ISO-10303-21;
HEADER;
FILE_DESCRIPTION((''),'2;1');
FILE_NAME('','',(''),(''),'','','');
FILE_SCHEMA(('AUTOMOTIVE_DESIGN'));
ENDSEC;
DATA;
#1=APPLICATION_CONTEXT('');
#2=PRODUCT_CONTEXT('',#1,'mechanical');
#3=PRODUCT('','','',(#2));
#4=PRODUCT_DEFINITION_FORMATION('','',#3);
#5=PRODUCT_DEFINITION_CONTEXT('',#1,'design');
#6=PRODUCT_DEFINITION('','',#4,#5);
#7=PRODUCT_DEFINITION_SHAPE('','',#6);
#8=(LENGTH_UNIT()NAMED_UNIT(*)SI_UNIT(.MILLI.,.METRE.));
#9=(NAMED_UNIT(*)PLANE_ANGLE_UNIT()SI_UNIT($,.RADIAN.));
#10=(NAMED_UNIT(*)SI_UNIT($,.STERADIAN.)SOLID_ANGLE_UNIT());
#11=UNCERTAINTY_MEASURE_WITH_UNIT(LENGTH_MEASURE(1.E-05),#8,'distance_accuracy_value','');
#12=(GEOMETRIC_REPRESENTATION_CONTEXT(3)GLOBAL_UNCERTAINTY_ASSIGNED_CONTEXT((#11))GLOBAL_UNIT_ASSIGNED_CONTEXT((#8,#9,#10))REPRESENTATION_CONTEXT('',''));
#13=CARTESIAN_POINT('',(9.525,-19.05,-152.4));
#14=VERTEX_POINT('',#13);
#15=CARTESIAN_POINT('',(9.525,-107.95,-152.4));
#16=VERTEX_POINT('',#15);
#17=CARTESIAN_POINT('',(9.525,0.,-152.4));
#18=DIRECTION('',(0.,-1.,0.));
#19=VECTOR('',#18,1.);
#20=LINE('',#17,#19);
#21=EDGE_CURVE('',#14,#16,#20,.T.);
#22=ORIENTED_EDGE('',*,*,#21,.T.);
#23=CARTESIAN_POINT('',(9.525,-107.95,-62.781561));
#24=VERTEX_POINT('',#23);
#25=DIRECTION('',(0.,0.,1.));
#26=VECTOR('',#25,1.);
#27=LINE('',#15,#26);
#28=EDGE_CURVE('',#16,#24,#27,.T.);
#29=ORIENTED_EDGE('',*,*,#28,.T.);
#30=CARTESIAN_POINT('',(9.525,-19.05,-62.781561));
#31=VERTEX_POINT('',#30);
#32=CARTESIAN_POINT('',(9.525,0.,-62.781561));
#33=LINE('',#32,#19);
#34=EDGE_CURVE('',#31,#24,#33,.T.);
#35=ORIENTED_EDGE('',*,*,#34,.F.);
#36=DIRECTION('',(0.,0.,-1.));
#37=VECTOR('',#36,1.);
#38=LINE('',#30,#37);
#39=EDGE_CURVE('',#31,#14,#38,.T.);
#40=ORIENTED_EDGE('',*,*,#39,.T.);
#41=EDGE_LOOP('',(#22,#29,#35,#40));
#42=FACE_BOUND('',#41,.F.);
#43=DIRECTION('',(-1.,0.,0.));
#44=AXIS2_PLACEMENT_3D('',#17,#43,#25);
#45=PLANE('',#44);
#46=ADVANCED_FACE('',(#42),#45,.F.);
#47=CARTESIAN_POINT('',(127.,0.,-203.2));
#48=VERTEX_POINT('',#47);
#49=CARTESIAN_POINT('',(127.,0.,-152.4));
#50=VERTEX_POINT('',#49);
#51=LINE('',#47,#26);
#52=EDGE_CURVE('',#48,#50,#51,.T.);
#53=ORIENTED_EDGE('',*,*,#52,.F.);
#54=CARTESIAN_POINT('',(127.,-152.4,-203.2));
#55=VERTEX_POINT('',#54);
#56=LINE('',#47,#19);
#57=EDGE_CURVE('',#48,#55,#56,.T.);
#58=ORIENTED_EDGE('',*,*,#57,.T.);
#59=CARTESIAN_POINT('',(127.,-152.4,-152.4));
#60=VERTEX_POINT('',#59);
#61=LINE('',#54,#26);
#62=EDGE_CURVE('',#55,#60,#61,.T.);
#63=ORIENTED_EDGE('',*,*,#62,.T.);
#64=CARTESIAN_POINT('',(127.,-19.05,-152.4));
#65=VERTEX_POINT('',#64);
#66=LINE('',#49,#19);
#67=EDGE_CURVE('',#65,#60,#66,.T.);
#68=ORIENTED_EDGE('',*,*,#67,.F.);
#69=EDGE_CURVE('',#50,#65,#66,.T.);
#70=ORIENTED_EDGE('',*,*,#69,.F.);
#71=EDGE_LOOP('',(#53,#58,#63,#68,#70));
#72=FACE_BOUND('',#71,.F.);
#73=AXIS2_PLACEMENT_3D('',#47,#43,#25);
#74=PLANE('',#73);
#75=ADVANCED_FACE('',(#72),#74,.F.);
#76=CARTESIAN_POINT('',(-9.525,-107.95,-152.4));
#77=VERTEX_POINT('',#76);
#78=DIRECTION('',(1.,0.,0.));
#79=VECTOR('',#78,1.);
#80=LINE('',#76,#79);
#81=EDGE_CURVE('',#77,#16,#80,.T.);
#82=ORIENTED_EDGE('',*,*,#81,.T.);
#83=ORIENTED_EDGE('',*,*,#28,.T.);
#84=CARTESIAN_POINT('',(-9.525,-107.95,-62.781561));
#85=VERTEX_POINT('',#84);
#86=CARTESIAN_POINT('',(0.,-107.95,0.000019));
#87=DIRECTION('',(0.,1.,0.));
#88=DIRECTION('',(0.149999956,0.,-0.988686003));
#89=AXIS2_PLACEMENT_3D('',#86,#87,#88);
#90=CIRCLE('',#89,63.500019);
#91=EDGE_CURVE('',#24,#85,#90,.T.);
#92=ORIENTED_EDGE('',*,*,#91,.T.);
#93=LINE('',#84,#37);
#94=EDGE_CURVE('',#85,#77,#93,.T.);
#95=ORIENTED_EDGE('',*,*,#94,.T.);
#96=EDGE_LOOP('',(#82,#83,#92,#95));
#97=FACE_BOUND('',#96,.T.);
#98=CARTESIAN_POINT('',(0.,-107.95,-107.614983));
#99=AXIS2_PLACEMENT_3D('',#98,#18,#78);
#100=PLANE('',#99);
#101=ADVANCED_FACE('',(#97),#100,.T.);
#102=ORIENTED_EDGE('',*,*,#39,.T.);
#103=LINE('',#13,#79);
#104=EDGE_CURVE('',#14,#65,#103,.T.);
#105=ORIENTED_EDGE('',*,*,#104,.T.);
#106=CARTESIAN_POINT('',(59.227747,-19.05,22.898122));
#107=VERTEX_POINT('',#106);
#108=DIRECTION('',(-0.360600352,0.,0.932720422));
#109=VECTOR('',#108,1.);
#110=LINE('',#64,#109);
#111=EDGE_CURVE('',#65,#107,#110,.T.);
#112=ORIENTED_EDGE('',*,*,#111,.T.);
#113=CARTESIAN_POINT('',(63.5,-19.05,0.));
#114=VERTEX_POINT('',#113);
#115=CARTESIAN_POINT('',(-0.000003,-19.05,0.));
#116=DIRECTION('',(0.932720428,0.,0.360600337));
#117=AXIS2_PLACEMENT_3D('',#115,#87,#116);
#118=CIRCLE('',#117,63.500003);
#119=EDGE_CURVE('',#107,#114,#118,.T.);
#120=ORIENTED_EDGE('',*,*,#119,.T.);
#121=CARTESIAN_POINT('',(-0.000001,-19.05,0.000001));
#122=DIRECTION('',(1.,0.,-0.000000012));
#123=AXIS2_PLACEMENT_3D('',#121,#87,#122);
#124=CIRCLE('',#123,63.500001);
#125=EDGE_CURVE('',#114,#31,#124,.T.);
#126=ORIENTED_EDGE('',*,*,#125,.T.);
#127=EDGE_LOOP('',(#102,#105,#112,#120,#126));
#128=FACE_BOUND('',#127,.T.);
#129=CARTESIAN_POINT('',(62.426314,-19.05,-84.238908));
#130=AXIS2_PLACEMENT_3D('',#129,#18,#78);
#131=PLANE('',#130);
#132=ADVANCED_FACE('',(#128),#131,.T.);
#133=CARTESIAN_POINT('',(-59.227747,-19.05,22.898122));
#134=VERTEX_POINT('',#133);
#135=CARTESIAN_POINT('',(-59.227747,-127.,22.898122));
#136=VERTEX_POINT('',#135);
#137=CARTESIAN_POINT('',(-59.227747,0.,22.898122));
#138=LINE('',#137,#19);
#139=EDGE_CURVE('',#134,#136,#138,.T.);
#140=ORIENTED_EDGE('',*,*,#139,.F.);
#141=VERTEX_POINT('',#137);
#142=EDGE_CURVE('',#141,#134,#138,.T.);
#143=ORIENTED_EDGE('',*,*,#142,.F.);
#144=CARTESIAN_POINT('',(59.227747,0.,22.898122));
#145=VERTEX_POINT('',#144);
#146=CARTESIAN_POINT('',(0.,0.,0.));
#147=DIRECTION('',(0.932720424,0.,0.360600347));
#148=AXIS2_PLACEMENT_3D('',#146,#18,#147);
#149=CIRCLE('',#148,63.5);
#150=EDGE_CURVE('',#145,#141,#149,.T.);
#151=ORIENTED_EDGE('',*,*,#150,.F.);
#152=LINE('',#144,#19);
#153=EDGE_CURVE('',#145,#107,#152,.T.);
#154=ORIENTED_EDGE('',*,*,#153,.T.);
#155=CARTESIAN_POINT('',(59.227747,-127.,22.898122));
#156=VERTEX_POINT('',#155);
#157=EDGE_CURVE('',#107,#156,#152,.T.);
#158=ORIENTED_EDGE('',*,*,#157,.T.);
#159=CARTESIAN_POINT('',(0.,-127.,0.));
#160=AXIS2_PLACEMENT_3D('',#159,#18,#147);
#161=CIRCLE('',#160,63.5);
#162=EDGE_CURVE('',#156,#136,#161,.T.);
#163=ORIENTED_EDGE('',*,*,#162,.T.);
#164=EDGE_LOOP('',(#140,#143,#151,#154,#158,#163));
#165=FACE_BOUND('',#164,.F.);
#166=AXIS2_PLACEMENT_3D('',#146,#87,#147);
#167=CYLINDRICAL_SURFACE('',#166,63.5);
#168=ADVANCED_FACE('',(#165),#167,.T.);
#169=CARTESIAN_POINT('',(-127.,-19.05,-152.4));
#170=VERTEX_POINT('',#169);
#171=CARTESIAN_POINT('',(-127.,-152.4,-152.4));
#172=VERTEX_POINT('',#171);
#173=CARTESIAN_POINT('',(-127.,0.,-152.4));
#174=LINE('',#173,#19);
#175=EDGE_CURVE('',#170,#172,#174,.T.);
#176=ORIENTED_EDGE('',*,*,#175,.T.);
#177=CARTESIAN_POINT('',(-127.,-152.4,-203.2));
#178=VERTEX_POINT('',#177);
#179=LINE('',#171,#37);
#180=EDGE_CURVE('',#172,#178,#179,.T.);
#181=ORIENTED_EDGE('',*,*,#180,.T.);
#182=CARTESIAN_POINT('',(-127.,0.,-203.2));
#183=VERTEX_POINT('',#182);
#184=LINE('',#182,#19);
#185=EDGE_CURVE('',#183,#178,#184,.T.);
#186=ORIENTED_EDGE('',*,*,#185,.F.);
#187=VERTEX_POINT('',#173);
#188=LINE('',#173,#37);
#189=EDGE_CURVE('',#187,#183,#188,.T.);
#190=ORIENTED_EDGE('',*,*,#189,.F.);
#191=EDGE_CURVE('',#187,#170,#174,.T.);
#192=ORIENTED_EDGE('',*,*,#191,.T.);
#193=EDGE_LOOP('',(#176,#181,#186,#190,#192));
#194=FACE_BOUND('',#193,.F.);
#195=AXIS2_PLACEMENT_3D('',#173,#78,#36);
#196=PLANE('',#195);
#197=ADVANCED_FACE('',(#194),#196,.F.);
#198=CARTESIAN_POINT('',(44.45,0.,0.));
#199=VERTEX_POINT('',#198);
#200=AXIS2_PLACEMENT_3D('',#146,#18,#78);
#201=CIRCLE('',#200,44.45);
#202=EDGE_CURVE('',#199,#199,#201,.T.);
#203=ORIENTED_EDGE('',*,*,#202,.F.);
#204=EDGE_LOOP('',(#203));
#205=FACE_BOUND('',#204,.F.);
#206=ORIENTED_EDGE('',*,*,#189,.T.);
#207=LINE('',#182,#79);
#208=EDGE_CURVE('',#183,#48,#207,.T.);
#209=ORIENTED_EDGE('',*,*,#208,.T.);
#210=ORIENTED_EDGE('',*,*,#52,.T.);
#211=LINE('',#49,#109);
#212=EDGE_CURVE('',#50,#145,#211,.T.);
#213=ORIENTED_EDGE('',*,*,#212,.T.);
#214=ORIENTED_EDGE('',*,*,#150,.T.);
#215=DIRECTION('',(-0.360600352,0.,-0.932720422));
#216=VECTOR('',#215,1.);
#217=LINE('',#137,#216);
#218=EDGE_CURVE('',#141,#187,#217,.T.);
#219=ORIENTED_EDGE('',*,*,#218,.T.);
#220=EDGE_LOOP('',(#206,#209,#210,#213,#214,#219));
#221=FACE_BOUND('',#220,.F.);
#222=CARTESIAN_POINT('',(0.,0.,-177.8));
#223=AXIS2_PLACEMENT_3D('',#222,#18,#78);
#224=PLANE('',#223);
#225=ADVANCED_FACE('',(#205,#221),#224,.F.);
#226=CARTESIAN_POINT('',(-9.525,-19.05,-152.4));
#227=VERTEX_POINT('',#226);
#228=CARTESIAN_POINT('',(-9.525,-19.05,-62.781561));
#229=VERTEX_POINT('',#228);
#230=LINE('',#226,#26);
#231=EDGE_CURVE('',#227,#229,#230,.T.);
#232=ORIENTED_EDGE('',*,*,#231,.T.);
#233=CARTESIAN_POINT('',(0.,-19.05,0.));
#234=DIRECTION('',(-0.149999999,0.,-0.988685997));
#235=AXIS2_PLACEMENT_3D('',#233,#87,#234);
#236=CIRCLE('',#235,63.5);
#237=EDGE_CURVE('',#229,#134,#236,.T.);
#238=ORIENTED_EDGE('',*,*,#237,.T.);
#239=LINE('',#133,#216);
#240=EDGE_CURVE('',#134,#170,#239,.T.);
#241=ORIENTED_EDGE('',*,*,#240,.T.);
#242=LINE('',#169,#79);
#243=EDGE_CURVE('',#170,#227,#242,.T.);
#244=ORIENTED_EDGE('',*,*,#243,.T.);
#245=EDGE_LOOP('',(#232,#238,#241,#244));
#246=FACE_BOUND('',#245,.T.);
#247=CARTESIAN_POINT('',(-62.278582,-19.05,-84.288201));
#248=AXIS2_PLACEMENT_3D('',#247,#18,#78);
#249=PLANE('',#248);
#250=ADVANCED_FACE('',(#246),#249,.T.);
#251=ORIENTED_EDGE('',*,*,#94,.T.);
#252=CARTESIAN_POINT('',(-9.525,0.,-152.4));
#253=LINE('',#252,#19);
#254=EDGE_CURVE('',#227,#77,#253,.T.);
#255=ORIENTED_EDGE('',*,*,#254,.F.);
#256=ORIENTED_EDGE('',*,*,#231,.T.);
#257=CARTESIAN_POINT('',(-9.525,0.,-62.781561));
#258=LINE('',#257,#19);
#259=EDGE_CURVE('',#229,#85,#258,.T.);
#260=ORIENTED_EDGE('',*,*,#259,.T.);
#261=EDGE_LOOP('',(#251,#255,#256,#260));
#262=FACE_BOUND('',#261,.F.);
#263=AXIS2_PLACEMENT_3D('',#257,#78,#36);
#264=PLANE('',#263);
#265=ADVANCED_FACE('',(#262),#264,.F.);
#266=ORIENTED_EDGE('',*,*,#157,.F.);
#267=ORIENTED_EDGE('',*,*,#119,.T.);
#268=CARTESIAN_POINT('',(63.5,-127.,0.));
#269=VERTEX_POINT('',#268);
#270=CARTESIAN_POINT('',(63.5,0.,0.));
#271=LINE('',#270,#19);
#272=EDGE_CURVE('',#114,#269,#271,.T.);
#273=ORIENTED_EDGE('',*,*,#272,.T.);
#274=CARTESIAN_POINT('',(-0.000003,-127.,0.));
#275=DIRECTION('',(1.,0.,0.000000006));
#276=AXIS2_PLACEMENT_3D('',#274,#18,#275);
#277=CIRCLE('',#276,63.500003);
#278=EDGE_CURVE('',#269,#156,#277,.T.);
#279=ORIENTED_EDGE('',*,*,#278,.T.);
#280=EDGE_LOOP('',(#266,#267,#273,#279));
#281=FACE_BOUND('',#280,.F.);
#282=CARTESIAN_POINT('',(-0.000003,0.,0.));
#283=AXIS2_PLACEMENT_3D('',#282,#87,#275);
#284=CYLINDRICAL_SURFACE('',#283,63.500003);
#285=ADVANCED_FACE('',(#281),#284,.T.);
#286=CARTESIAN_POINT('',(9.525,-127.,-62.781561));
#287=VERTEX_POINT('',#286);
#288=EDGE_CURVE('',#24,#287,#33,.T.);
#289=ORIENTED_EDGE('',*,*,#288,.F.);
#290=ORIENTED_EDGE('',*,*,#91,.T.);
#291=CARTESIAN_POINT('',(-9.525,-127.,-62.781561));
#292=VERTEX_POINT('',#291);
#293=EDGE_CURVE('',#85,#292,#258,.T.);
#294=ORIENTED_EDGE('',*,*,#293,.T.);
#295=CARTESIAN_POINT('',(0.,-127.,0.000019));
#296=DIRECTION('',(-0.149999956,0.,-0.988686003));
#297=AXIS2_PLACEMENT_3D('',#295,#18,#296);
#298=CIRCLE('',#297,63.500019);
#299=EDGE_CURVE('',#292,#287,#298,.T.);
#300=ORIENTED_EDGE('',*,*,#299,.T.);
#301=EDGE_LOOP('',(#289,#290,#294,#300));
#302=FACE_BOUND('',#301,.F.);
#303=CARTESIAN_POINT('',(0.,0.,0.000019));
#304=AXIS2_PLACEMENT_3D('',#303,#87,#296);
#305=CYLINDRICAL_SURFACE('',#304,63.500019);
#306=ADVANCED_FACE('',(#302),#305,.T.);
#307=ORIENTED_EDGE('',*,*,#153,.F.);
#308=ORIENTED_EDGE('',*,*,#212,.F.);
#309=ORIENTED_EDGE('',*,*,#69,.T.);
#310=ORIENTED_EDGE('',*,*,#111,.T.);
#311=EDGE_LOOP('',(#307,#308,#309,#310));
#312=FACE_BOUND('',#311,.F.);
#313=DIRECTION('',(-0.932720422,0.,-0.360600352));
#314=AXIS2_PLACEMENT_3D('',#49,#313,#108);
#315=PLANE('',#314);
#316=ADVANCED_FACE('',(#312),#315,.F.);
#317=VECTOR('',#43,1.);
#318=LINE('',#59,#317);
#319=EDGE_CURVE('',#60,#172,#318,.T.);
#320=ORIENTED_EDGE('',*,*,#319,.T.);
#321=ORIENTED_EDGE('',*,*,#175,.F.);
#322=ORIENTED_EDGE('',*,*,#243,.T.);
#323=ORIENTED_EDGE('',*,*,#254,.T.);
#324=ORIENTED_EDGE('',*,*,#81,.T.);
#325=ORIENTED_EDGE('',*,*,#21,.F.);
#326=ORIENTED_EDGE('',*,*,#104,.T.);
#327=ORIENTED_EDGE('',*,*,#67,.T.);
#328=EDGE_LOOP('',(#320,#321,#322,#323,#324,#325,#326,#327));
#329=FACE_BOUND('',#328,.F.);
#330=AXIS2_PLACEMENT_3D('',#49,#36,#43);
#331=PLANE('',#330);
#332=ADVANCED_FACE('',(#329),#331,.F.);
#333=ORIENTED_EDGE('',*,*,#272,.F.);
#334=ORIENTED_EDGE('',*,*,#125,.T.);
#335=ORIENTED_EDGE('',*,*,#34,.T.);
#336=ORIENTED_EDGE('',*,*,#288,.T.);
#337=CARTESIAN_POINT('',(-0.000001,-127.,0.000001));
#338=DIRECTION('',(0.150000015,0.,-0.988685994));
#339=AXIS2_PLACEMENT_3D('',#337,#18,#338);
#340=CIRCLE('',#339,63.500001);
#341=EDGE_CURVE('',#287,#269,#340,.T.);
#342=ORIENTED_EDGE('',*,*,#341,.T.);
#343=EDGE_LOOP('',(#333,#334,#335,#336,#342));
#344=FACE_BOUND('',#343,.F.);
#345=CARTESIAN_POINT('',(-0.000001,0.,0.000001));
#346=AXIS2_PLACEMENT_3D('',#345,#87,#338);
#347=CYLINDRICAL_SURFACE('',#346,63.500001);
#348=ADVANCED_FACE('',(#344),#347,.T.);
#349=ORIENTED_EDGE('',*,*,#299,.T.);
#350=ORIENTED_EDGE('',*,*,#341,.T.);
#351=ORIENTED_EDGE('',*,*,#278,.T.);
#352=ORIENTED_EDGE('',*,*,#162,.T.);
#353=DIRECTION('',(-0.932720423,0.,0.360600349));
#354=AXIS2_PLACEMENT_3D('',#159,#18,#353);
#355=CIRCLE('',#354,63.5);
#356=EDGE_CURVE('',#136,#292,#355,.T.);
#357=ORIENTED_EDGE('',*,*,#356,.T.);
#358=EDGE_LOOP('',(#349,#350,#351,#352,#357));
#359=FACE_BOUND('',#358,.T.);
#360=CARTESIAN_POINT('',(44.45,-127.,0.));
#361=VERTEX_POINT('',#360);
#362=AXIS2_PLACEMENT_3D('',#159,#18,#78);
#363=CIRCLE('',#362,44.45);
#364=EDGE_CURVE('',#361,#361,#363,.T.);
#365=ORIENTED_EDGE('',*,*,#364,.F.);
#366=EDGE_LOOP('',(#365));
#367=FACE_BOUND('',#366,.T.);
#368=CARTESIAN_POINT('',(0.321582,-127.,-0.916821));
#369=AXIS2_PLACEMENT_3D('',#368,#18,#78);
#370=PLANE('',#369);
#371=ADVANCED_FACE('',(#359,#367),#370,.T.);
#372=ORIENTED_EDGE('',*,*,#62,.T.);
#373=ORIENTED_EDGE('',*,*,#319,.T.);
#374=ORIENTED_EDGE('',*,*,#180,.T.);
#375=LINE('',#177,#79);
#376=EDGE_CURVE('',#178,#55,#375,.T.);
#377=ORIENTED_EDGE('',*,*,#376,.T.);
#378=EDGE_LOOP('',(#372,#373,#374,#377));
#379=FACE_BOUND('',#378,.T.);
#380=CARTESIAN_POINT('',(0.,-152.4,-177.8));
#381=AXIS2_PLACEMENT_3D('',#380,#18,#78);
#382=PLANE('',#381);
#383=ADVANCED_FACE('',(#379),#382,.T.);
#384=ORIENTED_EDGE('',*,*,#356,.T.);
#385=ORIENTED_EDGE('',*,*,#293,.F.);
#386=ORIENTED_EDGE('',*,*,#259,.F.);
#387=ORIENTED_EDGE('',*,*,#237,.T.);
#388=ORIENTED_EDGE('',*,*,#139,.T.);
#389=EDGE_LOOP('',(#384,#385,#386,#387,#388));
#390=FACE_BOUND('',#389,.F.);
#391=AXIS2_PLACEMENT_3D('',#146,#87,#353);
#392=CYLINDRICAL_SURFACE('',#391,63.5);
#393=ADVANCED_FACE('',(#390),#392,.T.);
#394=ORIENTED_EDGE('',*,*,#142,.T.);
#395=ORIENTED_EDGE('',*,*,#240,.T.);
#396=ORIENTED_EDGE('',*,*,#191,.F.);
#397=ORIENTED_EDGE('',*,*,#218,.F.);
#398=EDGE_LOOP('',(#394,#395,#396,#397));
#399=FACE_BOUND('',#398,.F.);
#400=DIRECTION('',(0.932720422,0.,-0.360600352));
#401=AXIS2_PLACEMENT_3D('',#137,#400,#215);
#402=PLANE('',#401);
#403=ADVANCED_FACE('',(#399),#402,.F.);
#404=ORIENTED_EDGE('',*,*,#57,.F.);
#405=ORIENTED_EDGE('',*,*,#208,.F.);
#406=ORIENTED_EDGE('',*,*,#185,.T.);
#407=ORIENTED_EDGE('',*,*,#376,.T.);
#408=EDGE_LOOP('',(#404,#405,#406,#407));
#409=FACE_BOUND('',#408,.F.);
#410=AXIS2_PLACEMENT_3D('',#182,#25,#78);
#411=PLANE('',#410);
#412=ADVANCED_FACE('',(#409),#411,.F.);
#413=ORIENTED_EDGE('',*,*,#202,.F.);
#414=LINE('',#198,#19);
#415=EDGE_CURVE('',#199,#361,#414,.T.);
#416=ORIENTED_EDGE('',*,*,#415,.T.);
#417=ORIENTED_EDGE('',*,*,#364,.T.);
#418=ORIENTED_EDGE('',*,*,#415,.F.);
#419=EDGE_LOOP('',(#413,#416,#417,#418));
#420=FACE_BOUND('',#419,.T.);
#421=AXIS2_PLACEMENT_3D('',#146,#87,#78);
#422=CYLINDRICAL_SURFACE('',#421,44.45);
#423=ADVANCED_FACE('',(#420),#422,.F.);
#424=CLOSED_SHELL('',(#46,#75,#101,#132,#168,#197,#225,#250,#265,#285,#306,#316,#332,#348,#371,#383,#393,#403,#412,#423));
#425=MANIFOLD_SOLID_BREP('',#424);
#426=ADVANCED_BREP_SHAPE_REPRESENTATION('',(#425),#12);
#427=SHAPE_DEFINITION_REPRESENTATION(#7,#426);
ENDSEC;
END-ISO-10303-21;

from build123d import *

# Parameters (mm, degrees)
F0_R     = 44.45
F1_DEPTH = 127
F2_DEPTH = 19.05
F3_DEPTH = 152.4
F4_DEPTH = 107.95


with BuildPart() as f1:
    # F0 (on Front) → F1 (new body)
    with BuildSketch(Plane.XZ):
        with BuildLine():
            ThreePointArc((9.525, -62.781561), (48.151259, -41.396935), (63.5, 0))
            ThreePointArc((63.5, 0), (62.4228, 11.646632), (59.227747, 22.898122))
            ThreePointArc((59.227747, 22.898122), (0, 63.5), (-59.227747, 22.898122))
            ThreePointArc((-59.227747, 22.898122), (-54.927107, -31.863191), (-9.525, -62.781561))
            ThreePointArc((-9.525, -62.781561), (0, -63.5), (9.525, -62.781561))
        make_face()
        Circle(F0_R, mode=Mode.SUBTRACT)
    extrude(amount=F1_DEPTH)

    # F0 (on Front) → F2 (join)
    with BuildSketch(Plane.XZ):
        with BuildLine():
            ThreePointArc((59.227747, 22.898122), (62.4228, 11.646632), (63.5, 0))
            ThreePointArc((63.5, 0), (48.151259, -41.396935), (9.525, -62.781561))
            Line((9.525, -62.781561), (9.525, -152.4))
            Line((9.525, -152.4), (127, -152.4))
            Line((127, -152.4), (59.227747, 22.898122))
        make_face()
        with BuildLine():
            ThreePointArc((-9.525, -62.781561), (-54.927107, -31.863191), (-59.227747, 22.898122))
            Line((-59.227747, 22.898122), (-127, -152.4))
            Line((-127, -152.4), (-9.525, -152.4))
            Line((-9.525, -152.4), (-9.525, -62.781561))
        make_face()
    extrude(amount=F2_DEPTH)

    # F0 (on Front) → F3 (join)
    with BuildSketch(Plane.XZ):
        Polygon((127, -203.2), (127, -152.4), (9.525, -152.4), (-9.525, -152.4), (-127, -152.4), (-127, -203.2), align=None)
    extrude(amount=F3_DEPTH)

    # F0 (on Front) → F4 (join)
    with BuildSketch(Plane.XZ):
        with BuildLine():
            Line((9.525, -152.4), (9.525, -62.781561))
            ThreePointArc((9.525, -62.781561), (0, -63.5), (-9.525, -62.781561))
            Line((-9.525, -62.781561), (-9.525, -152.4))
            Line((-9.525, -152.4), (9.525, -152.4))
        make_face()
    extrude(amount=F4_DEPTH)


solid = f1.part
